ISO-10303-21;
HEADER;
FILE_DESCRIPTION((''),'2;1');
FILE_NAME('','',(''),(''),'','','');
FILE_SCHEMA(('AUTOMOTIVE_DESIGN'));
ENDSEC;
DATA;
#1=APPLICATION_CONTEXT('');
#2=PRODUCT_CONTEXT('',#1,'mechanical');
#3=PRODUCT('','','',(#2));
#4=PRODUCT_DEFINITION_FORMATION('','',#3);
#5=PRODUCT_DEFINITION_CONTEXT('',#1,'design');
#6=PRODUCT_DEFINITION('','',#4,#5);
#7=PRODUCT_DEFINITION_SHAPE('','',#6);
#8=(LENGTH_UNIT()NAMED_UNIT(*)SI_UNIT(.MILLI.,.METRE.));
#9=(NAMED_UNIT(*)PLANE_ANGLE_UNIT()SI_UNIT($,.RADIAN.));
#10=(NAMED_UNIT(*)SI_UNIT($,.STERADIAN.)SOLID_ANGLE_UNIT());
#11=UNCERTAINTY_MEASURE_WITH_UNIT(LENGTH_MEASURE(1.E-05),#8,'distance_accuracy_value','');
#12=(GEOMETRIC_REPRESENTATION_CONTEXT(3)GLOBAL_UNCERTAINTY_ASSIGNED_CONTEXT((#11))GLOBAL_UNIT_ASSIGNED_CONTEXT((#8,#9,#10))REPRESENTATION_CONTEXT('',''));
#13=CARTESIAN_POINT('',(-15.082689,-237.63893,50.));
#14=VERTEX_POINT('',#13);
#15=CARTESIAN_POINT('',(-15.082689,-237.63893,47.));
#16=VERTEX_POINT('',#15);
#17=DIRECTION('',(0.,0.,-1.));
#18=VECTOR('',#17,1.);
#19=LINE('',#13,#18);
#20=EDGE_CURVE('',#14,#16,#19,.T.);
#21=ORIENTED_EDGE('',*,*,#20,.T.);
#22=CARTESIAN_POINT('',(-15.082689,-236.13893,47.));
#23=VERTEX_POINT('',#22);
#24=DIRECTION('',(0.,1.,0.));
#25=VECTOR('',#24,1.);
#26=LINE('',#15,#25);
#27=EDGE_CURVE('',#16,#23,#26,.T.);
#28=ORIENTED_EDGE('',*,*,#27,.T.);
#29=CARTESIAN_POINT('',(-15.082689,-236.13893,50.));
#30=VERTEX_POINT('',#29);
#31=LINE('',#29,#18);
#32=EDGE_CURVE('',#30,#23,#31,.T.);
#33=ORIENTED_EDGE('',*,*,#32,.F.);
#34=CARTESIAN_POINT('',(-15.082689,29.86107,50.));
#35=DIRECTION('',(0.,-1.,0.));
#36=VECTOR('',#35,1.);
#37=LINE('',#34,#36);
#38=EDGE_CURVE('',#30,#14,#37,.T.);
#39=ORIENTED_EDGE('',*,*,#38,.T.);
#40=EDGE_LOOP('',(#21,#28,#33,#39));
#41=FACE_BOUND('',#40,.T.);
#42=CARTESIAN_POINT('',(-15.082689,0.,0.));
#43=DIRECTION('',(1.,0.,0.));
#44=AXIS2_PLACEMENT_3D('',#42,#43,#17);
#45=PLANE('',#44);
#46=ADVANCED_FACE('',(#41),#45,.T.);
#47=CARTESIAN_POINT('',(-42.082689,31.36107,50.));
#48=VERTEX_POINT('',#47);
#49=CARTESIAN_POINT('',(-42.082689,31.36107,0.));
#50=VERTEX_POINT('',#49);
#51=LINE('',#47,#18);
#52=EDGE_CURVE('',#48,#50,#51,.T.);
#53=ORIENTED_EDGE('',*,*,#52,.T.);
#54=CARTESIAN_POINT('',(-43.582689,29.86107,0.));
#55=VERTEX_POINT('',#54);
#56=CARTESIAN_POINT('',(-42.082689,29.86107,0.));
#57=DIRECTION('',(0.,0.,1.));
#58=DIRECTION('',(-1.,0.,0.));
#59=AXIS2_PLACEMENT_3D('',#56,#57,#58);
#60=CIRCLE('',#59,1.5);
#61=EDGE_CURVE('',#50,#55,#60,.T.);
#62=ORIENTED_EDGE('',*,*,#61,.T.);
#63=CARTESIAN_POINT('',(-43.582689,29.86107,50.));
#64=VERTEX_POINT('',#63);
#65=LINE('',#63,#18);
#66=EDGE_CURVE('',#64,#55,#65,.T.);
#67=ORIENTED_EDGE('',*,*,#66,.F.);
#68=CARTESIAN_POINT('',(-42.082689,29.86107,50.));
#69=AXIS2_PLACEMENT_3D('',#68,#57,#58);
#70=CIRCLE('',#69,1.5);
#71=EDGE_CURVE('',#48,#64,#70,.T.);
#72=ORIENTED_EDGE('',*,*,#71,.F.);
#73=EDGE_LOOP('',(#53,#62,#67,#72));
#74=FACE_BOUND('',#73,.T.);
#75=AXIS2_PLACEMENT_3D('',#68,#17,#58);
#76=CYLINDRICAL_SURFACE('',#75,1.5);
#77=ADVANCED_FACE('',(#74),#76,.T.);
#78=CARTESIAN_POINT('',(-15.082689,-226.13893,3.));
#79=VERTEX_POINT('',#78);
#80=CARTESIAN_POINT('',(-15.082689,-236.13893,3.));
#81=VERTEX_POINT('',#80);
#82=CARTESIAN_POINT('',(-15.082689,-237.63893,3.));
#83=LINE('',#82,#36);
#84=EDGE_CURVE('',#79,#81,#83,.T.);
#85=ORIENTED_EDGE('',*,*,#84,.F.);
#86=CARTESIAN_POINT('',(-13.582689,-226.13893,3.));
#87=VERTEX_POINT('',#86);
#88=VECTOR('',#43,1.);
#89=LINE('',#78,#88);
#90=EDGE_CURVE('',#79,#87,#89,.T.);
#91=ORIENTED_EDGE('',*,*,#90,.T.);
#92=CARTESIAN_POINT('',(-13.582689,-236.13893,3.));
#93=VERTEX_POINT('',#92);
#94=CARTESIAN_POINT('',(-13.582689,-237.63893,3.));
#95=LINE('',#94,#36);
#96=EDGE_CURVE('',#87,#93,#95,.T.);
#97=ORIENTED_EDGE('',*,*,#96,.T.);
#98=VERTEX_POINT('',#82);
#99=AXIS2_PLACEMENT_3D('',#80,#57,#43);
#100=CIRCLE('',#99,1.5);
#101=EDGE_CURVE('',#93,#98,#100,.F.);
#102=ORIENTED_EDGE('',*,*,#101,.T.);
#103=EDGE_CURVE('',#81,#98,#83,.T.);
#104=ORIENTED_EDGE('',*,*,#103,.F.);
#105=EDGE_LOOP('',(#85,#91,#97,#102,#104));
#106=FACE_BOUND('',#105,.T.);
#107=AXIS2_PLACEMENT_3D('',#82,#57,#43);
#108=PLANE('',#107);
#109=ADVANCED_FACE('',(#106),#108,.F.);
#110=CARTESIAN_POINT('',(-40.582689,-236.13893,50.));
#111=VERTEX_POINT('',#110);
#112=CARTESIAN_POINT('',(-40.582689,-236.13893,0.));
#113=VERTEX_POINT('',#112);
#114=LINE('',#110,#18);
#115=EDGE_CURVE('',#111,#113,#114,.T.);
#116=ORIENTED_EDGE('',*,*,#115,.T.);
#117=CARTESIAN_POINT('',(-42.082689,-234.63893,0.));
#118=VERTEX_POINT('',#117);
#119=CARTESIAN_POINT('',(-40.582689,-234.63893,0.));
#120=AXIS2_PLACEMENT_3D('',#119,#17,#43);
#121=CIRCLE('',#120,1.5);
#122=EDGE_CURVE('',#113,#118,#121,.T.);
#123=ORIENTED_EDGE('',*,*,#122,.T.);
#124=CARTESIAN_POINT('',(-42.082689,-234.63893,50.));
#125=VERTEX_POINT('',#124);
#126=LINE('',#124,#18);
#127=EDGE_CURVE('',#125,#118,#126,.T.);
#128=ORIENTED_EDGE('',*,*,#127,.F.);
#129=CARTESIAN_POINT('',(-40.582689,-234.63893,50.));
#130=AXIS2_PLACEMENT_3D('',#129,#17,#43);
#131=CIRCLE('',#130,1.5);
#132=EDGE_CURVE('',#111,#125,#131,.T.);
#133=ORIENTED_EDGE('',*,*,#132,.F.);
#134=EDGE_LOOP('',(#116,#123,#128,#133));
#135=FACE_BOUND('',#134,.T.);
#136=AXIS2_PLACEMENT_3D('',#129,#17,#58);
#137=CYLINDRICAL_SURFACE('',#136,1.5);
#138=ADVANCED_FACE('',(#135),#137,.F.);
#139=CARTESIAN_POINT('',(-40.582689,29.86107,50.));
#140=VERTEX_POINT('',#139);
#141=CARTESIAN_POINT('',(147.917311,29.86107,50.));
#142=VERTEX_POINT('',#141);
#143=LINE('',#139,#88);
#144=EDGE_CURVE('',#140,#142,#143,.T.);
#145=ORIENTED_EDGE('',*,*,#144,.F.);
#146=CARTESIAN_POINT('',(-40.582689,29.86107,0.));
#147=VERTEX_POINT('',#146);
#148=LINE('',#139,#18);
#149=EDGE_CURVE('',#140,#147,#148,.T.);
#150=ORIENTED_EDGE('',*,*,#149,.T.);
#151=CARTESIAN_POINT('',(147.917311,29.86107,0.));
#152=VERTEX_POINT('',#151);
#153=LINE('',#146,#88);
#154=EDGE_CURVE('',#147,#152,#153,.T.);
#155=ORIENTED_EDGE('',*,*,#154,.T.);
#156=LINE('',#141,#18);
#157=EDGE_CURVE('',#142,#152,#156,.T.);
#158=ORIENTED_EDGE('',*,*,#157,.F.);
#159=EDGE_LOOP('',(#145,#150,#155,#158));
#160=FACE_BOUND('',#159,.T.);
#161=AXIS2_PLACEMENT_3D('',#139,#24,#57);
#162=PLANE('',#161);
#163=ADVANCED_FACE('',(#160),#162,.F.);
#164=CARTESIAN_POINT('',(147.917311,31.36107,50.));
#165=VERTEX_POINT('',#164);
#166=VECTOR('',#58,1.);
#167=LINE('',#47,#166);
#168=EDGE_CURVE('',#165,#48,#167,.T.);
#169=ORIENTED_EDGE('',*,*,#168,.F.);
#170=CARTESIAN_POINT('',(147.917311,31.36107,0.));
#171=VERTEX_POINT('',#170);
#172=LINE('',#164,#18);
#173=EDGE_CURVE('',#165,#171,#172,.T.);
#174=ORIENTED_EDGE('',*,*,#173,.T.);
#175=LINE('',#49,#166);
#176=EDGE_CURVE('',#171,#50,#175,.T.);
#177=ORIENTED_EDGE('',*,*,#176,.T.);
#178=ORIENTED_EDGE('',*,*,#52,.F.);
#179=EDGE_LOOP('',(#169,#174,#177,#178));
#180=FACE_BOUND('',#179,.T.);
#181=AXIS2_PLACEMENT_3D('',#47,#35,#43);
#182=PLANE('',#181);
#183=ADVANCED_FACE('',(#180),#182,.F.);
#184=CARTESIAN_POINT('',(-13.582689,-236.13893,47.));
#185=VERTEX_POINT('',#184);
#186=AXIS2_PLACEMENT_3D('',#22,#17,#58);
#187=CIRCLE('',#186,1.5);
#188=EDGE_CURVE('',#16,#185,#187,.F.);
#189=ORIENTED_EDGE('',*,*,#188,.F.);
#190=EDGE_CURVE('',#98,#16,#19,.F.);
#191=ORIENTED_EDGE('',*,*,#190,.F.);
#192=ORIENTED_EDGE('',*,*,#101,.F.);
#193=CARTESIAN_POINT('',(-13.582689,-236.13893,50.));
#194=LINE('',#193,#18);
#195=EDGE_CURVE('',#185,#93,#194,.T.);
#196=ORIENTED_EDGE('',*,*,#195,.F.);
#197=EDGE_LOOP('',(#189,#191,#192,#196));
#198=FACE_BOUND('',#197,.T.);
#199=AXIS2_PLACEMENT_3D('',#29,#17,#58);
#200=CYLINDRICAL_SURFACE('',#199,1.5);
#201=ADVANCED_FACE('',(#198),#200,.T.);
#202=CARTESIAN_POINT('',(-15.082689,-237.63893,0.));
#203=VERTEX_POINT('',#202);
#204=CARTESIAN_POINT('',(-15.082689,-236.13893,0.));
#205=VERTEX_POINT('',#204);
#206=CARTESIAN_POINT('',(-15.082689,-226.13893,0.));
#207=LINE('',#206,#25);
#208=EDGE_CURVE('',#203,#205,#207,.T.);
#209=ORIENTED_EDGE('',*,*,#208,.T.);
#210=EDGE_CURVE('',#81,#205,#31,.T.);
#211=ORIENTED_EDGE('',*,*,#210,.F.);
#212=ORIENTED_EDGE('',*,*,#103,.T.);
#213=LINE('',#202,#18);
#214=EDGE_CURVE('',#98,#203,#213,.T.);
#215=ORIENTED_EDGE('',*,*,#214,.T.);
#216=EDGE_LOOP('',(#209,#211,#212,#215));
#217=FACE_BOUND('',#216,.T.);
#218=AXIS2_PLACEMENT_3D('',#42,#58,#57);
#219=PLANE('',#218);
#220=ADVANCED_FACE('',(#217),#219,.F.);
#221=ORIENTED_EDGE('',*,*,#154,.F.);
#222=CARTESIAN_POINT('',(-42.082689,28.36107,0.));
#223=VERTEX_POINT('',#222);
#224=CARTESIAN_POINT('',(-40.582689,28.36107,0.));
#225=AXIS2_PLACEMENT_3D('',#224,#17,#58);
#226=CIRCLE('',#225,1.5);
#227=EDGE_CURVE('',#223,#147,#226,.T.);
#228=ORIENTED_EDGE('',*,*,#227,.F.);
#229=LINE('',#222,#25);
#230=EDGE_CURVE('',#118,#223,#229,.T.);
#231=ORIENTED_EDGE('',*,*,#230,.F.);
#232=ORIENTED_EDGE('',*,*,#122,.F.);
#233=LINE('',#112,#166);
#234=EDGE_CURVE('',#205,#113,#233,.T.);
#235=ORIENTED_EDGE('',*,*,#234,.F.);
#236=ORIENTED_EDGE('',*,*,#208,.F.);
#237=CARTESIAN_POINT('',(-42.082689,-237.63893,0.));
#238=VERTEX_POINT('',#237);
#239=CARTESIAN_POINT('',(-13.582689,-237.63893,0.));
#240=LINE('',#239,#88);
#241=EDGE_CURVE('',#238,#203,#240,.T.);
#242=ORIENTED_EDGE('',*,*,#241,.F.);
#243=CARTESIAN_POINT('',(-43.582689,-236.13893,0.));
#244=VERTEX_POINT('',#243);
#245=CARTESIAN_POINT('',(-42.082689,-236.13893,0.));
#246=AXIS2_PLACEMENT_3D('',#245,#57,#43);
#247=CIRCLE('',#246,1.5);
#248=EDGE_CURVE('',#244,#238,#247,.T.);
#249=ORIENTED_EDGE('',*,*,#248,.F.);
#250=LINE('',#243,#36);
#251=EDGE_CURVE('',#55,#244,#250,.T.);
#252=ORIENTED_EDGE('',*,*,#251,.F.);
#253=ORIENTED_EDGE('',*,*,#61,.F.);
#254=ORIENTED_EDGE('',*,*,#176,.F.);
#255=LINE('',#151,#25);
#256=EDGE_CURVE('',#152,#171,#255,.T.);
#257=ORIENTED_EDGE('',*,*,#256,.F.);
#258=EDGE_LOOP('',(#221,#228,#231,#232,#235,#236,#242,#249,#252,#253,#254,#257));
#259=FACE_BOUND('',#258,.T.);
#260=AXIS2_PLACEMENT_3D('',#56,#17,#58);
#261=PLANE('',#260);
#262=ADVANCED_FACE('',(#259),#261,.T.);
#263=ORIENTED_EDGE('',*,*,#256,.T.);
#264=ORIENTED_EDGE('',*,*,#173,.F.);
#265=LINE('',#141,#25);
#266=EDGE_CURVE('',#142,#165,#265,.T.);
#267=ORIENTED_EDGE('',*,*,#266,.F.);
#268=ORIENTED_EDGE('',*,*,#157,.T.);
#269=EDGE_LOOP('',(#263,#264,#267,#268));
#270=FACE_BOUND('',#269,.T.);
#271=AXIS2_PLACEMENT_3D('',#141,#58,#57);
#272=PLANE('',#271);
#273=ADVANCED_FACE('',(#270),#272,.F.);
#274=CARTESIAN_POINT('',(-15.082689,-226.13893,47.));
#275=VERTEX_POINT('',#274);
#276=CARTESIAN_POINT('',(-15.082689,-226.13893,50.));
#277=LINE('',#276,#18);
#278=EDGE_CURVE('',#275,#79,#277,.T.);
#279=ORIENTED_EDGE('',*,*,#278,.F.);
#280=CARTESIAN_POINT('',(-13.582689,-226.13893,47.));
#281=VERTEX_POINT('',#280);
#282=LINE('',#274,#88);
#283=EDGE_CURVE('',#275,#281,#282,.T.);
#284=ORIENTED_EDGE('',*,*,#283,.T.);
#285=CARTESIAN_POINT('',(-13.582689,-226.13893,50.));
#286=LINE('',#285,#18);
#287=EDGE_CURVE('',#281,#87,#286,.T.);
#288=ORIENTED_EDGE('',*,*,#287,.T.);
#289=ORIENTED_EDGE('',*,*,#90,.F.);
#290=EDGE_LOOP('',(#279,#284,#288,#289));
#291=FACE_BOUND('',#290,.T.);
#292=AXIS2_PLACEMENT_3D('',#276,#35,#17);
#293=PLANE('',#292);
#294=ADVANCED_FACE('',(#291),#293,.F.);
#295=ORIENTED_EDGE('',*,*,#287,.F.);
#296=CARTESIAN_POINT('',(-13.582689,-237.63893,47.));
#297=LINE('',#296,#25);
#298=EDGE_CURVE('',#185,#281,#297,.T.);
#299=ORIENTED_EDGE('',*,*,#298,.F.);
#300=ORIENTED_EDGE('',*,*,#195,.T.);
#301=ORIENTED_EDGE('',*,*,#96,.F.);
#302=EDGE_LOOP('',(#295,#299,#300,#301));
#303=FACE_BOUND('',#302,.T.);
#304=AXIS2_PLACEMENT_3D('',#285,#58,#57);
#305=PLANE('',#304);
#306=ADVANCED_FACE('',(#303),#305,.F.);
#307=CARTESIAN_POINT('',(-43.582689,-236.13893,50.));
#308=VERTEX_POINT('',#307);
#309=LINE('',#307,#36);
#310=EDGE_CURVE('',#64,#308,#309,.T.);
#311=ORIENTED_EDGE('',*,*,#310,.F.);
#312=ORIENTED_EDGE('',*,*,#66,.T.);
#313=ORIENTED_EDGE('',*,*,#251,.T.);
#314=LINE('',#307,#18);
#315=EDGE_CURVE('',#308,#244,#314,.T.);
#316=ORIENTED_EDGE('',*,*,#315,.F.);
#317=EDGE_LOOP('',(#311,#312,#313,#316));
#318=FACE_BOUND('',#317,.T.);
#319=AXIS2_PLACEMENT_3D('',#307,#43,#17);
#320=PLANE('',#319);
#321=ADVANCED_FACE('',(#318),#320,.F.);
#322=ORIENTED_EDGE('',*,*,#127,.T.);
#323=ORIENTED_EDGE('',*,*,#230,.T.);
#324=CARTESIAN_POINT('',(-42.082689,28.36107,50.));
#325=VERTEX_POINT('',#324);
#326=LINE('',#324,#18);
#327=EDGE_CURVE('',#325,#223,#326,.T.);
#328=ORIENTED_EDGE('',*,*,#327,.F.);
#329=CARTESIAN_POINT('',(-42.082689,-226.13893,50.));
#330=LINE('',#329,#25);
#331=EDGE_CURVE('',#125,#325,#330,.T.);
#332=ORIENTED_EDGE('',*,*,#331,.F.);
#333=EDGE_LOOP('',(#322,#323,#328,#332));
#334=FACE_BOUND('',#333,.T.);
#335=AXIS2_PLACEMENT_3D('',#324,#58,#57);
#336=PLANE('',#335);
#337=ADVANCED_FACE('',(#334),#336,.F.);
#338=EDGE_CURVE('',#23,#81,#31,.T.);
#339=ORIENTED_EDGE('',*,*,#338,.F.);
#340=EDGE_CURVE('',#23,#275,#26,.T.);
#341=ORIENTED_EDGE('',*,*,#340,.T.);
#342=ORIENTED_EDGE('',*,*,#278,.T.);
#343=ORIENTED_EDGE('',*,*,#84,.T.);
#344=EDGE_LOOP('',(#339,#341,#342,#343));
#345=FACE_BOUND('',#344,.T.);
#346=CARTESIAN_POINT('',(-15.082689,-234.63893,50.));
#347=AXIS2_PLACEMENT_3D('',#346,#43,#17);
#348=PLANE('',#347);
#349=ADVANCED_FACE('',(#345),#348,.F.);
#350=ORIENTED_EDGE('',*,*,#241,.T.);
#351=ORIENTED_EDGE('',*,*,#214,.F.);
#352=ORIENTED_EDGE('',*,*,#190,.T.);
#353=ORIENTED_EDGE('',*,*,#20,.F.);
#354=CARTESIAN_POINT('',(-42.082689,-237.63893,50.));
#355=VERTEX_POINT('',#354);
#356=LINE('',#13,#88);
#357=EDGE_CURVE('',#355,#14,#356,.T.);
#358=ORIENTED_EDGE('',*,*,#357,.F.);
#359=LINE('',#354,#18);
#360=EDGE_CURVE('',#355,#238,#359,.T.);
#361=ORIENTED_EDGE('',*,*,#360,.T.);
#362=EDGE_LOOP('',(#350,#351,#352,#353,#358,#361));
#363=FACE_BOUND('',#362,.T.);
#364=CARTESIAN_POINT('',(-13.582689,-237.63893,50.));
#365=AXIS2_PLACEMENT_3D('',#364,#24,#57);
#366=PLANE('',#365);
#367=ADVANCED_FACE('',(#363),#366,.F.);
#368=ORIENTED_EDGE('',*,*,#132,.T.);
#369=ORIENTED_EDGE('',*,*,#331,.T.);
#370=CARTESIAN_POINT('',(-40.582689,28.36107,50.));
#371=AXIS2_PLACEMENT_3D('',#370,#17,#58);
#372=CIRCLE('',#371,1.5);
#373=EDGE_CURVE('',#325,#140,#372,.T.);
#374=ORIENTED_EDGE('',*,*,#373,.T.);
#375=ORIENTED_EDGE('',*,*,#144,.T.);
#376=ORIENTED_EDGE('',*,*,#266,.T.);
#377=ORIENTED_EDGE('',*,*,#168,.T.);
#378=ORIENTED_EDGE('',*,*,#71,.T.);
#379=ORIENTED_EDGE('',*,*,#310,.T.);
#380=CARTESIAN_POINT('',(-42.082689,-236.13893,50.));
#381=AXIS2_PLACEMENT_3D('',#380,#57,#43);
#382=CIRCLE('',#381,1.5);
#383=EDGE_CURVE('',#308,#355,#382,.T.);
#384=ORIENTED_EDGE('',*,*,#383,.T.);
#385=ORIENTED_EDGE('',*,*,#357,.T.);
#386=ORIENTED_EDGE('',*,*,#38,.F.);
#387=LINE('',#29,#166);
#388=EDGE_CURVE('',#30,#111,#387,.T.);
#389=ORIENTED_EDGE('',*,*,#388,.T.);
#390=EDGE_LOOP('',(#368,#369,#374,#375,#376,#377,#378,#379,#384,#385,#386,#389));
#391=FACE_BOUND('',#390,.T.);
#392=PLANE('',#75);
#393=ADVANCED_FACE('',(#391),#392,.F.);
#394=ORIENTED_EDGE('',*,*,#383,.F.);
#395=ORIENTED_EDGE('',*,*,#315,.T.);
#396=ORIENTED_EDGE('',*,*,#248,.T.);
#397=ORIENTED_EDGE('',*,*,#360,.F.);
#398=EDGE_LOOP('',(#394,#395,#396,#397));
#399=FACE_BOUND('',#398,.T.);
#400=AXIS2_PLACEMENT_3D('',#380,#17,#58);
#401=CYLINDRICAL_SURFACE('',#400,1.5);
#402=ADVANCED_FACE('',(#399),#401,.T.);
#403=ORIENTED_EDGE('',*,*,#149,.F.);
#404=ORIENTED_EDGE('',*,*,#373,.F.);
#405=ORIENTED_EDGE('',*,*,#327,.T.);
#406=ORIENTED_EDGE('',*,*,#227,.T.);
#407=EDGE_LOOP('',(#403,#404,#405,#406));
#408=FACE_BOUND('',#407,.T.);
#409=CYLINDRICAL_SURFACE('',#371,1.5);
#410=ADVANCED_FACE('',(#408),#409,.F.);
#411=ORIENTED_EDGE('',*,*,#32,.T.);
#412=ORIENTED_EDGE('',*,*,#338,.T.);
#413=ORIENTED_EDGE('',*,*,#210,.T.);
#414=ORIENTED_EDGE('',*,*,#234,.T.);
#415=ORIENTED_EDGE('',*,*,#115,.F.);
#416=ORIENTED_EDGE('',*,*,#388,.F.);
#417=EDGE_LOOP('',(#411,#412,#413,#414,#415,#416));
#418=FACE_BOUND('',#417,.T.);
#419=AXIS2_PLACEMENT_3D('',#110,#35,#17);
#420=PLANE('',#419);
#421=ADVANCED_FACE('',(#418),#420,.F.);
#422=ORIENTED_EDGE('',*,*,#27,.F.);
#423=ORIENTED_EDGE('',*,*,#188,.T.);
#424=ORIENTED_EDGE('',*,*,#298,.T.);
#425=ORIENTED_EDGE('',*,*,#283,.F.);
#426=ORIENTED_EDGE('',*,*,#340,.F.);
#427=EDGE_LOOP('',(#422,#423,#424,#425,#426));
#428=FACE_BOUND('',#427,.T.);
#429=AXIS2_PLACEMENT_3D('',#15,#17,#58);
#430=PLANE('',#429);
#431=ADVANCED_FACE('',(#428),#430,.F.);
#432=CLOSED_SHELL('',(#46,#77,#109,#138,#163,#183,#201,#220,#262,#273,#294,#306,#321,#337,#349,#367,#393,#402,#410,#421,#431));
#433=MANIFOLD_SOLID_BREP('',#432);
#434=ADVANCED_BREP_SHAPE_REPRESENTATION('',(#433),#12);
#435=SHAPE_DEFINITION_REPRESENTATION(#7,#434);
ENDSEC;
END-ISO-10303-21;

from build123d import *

# Parameters (mm, degrees)
EXTRUDE_1_DEPTH     = 50
SKETCH_3_W          = 3
SKETCH_3_H          = 11.5
CUT_EXTRUDE_1_DEPTH = 1.5
FILLET_1_R          = 1.5


with BuildPart() as part:
    # 草图1 → 凸台-拉伸1 (new body)
    with BuildSketch(Plane.XY):
        with BuildLine():
            Line((-40.582688737, 29.861069553), (147.917311263, 29.861069553))
            Line((147.917311263, 29.861069553), (147.917311263, 31.361069553))
            Line((147.917311263, 31.361069553), (-42.082688737, 31.361069553))
            ThreePointArc((-42.082688737, 31.361069553), (-43.143348909, 30.921729725), (-43.582688737, 29.861069553))
            Line((-43.582688737, 29.861069553), (-43.582688737, -236.138930447))
            ThreePointArc((-43.582688737, -236.138930447), (-43.143348909, -237.199590619), (-42.082688737, -237.638930447))
            Line((-42.082688737, -237.638930447), (-15.082688737, -237.638930447))
            Line((-15.082688737, -237.638930447), (-13.582688737, -237.638930447))
            Line((-13.582688737, -237.638930447), (-13.582688737, -236.138930447))
            Line((-13.582688737, -236.138930447), (-13.582688737, -226.138930447))
            Line((-13.582688737, -226.138930447), (-15.082688737, -226.138930447))
            Line((-15.082688737, -226.138930447), (-15.082688737, -234.638930447))
            Line((-15.082688737, -234.638930447), (-15.082688737, -236.138930447))
            Line((-15.082688737, -236.138930447), (-16.582688737, -236.138930447))
            Line((-16.582688737, -236.138930447), (-40.582688737, -236.138930447))
            ThreePointArc((-40.582688737, -236.138930447), (-41.643348909, -235.699590619), (-42.082688737, -234.638930447))
            Line((-42.082688737, -234.638930447), (-42.082688737, -226.138930447))
            Line((-42.082688737, -226.138930447), (-42.082688737, -50.138930447))
            Line((-42.082688737, -50.138930447), (-42.082688737, 28.361069553))
            ThreePointArc((-42.082688737, 28.361069553), (-41.643348909, 29.421729725), (-40.582688737, 29.861069553))
        make_face()
    extrude(amount=EXTRUDE_1_DEPTH)

    # 草图3 → 切除-拉伸1 (cut)
    with BuildSketch(Plane(origin=(-13.582688737, 0, 0), x_dir=(0, 0, -1), z_dir=(1, 0, 0))):
        with Locations((-48.5, -231.888930447)):
            Rectangle(SKETCH_3_W, SKETCH_3_H)
        with Locations((-1.5, -231.888930447)):
            Rectangle(SKETCH_3_W, SKETCH_3_H)
    extrude(amount=-CUT_EXTRUDE_1_DEPTH, mode=Mode.SUBTRACT)

    # 圆角1
    fillet_1_edges = [part.edges().sort_by_distance(p)[0] for p in [
        (-13.582688737, -237.638930447, 25),
    ]]
    fillet(fillet_1_edges, radius=FILLET_1_R)


solid = part.part
